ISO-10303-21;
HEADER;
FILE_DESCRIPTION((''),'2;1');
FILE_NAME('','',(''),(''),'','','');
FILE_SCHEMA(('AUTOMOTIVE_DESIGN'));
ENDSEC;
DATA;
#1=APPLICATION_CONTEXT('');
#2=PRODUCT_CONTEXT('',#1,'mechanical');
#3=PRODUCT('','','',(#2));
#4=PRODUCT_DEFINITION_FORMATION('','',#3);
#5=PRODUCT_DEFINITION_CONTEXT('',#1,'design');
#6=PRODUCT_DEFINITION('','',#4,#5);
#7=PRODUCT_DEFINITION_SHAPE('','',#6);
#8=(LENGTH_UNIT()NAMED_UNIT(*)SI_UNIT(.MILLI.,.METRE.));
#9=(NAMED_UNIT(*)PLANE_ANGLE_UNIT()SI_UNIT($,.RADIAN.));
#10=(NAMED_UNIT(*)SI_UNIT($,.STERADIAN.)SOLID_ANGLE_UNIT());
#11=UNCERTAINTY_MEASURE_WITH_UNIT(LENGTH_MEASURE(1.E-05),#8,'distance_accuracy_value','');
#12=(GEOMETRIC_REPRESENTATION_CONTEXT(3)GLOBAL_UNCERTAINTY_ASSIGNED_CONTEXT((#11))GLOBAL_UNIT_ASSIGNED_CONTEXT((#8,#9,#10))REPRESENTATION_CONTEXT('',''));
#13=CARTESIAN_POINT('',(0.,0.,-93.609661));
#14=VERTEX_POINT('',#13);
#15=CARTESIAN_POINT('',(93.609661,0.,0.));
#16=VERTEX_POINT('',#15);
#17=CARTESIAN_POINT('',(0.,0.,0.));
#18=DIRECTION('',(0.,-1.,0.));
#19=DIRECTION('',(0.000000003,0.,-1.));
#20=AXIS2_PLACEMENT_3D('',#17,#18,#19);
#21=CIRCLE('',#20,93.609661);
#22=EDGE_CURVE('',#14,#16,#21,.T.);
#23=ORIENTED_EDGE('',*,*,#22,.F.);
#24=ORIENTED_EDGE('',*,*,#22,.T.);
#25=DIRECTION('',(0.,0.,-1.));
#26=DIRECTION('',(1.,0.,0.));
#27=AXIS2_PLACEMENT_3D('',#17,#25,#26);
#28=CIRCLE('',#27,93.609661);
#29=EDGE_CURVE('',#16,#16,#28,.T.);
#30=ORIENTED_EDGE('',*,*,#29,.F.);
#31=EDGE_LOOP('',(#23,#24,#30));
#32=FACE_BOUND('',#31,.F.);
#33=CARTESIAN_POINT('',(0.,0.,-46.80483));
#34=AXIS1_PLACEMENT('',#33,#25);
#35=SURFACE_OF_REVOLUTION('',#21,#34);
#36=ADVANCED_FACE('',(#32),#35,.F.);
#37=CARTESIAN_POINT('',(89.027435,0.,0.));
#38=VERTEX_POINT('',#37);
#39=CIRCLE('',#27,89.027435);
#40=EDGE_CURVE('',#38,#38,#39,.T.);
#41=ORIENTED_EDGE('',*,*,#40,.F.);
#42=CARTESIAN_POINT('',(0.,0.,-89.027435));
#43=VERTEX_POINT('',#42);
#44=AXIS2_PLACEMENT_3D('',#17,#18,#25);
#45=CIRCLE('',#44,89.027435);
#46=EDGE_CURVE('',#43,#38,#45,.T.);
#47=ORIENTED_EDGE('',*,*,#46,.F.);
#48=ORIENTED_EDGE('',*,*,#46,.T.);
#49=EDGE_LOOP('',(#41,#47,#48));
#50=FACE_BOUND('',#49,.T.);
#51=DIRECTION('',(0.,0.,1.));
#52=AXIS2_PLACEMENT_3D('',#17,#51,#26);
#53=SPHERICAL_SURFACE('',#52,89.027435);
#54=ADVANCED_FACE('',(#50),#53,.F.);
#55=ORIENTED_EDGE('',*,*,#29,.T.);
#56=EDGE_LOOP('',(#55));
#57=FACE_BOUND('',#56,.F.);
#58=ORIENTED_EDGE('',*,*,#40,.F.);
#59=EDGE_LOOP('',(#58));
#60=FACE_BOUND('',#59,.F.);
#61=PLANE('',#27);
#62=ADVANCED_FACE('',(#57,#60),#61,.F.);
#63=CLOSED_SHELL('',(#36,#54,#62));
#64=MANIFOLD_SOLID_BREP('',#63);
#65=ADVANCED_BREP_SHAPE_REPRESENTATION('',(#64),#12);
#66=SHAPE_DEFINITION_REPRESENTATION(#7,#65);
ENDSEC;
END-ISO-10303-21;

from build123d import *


with BuildPart() as f1:
    # F0 (on Front) → F1 (revolve)
    with BuildSketch(Plane.XZ):
        with BuildLine():
            ThreePointArc((0, -93.609661), (66.192026, -66.192026), (93.609661, 0))
            Line((93.609661, 0), (0, 0))
            Line((0, 0), (0, -93.609661))
        make_face()
    revolve(axis=Axis((0, 0, -46.80483), (0, 0, -1)))

    # F2 (on Front) → F3 (revolve, cut)
    with BuildSketch(Plane.XZ):
        with BuildLine():
            Line((0, 0), (0, -89.027435))
            ThreePointArc((0, -89.027435), (62.951903, -62.951903), (89.027435, 0))
            Line((89.027435, 0), (0, 0))
        make_face()
    revolve(axis=Axis((0, 0, -44.513717), (0, 0, -1)), mode=Mode.SUBTRACT)


solid = f1.part
